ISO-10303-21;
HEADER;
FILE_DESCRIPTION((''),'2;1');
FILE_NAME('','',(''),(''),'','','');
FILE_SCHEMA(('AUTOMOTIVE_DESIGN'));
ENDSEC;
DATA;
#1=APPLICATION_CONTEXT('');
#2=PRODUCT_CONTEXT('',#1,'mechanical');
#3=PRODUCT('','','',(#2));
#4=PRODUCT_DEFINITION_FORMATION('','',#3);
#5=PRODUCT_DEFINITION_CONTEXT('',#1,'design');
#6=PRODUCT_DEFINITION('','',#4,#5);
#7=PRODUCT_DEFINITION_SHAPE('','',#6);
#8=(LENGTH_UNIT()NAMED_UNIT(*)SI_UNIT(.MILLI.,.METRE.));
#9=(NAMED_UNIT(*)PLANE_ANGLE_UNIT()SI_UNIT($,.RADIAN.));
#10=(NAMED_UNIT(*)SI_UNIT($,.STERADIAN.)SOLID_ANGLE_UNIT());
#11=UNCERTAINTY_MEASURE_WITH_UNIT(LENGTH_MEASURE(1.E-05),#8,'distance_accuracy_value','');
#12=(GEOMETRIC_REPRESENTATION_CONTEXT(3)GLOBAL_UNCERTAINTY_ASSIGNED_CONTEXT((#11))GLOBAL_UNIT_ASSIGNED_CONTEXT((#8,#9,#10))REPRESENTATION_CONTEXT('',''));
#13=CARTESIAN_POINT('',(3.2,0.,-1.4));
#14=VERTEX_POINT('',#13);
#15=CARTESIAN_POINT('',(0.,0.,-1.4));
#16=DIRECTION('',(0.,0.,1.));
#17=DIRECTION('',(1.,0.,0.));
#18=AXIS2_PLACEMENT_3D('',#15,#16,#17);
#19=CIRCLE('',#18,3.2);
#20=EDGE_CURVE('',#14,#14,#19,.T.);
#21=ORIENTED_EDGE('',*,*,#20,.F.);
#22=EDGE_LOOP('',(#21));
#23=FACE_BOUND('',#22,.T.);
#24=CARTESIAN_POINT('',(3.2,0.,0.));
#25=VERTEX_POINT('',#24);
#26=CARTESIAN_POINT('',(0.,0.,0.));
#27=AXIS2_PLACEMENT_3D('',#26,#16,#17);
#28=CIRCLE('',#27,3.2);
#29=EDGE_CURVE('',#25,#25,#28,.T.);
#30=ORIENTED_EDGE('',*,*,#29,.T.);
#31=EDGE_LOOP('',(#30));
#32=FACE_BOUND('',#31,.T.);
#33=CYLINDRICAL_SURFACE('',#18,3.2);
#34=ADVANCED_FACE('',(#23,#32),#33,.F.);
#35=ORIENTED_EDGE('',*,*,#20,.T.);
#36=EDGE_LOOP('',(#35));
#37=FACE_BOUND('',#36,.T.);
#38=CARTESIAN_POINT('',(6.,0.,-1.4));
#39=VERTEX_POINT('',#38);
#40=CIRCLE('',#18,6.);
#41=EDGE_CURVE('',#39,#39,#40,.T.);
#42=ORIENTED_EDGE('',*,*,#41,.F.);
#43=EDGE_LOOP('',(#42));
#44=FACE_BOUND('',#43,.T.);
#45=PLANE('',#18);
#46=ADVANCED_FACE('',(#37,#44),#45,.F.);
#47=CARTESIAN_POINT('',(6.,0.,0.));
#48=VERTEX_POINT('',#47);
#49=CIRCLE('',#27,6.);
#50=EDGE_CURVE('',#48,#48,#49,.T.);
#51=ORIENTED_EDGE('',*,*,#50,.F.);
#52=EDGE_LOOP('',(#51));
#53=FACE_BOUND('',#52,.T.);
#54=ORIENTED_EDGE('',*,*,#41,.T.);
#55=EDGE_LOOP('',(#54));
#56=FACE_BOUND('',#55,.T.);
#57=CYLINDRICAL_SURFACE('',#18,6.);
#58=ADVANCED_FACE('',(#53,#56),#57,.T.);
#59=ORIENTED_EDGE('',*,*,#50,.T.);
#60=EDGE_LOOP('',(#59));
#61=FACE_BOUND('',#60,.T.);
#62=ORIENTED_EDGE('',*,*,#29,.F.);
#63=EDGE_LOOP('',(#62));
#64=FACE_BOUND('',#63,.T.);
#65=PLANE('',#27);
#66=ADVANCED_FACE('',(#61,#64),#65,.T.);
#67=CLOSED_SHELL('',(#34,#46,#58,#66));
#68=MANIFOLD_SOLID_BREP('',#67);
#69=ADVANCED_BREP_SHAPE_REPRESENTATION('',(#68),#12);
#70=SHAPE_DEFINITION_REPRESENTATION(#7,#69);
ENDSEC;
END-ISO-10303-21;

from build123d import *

# Parameters (mm, degrees)
SKETCH1_R      = 6
SKETCH1_R_2    = 3.2
EXTRUDE1_DEPTH = 1.4


with BuildPart() as part:
    # Sketch1 → Extrude1 (new body)
    with BuildSketch(Plane.XY):
        Circle(SKETCH1_R)
        Circle(SKETCH1_R_2, mode=Mode.SUBTRACT)
    extrude(amount=-EXTRUDE1_DEPTH)


solid = part.part
